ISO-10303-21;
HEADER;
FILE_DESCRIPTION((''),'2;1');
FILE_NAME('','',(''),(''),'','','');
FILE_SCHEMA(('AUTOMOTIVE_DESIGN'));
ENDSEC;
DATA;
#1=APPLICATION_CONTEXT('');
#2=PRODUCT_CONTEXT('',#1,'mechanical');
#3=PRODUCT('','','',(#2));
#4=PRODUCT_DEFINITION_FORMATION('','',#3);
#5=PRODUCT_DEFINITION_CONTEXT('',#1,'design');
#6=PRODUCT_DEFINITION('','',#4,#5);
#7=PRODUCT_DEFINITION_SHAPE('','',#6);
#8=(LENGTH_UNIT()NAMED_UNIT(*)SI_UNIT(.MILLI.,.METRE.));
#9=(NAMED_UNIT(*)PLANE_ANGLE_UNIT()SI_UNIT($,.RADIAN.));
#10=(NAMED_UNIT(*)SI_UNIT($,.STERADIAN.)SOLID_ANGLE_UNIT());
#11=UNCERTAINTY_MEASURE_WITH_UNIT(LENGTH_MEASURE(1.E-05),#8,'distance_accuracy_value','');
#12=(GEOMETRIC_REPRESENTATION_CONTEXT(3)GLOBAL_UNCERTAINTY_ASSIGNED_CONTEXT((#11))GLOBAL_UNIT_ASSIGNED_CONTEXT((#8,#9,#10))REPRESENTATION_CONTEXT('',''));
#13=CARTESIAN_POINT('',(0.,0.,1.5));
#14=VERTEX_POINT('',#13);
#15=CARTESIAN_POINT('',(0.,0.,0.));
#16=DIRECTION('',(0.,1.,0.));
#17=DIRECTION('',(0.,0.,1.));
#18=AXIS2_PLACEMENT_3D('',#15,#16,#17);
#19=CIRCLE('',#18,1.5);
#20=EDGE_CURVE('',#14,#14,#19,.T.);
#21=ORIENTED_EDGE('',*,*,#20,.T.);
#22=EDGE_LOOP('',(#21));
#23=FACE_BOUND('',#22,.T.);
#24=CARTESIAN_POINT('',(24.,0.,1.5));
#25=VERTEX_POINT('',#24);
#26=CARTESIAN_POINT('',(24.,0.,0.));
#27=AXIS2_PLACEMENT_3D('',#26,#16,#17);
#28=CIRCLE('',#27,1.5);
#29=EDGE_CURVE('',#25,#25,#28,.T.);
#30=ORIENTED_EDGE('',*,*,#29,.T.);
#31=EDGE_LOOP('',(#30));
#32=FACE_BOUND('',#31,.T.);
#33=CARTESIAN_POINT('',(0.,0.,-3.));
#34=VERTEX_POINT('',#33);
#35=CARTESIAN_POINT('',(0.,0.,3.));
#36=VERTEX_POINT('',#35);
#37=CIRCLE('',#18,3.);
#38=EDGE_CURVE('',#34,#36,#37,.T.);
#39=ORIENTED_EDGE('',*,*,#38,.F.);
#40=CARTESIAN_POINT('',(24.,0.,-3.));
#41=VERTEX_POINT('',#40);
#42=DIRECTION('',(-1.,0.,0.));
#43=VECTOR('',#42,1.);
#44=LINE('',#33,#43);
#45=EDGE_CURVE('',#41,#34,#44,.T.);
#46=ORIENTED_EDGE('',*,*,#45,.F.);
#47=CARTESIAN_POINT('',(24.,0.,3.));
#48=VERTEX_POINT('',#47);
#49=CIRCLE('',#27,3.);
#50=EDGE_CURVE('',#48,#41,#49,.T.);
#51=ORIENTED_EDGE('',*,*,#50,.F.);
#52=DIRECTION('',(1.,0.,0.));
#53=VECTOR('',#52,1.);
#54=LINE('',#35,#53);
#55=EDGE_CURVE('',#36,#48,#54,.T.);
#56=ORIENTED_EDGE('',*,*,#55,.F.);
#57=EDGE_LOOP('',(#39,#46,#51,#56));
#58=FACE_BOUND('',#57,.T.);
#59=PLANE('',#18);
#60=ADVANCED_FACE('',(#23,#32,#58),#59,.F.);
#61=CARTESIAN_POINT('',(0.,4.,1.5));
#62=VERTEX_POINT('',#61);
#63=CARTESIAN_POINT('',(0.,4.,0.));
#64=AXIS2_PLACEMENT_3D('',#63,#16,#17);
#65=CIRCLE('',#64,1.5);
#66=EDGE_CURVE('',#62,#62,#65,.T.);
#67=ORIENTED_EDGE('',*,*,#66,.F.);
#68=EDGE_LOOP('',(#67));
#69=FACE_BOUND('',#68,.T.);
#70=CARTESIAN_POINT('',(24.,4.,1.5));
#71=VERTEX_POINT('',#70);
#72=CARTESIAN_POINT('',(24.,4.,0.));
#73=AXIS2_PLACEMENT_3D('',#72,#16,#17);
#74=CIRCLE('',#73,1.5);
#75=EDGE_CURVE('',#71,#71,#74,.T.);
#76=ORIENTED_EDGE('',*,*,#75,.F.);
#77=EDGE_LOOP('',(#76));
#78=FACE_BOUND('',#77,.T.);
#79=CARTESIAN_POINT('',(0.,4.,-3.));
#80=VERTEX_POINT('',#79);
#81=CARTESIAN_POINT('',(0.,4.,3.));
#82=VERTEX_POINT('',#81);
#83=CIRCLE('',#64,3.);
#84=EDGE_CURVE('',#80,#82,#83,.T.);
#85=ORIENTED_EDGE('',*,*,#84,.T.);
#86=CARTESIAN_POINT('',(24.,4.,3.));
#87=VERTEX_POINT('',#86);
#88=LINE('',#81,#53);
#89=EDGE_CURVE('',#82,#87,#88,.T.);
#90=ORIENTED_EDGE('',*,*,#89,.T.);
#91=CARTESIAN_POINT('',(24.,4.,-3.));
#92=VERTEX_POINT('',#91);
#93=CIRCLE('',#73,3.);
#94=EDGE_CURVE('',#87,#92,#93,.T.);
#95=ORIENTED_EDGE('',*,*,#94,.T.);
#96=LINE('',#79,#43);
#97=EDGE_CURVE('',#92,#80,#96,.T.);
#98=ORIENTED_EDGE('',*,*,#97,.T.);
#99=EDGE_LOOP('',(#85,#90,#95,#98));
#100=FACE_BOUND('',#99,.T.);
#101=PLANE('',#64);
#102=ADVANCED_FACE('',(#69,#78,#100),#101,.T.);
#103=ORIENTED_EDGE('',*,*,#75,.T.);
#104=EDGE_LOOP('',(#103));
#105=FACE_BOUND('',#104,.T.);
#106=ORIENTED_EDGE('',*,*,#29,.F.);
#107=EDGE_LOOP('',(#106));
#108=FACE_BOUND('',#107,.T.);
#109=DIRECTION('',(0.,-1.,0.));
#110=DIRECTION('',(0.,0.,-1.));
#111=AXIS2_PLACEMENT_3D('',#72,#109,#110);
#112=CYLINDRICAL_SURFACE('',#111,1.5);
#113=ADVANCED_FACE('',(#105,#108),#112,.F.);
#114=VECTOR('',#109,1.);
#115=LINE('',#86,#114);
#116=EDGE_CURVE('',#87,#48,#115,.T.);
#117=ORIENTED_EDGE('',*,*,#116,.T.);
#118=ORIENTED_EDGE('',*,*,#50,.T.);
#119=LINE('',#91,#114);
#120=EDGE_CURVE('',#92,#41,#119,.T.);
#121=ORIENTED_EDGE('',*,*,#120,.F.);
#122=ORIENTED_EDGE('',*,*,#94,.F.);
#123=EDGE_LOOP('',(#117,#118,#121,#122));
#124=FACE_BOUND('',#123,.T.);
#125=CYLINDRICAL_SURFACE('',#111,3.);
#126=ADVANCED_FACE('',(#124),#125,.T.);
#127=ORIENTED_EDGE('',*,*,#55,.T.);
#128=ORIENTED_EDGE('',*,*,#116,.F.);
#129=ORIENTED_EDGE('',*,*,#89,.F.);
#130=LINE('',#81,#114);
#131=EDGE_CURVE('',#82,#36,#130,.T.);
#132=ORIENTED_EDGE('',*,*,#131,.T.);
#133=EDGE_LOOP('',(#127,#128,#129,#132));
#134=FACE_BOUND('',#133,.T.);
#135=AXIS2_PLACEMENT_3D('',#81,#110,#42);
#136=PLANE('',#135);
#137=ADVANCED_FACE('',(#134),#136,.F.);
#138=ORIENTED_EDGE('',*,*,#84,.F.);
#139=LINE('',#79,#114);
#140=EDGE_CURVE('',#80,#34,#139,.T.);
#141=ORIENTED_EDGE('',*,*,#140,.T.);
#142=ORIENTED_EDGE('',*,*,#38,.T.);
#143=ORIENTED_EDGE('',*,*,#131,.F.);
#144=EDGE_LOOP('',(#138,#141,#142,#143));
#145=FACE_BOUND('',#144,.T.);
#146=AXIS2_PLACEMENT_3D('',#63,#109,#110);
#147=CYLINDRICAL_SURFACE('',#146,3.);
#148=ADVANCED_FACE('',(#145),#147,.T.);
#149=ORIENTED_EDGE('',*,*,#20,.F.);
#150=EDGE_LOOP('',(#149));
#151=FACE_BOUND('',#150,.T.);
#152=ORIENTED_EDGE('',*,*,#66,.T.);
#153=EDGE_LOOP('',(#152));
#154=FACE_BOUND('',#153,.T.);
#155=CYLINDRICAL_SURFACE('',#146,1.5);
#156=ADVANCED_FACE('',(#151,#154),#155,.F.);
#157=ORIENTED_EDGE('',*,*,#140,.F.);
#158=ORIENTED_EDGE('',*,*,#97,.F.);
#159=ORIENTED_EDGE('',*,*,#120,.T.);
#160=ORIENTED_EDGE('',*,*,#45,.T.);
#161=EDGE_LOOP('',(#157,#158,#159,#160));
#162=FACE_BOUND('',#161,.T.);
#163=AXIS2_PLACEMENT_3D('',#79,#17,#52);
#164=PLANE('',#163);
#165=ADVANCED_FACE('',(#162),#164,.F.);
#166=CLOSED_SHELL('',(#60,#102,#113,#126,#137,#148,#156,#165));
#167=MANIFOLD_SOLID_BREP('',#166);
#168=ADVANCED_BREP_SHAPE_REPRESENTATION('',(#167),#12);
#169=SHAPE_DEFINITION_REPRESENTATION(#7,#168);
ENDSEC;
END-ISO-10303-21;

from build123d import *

# Parameters (mm, degrees)
SKETCH_1_R      = 1.5
EXTRUDE_1_DEPTH = 4


with BuildPart() as part:
    # 草图1 → 凸台-拉伸1 (new body)
    with BuildSketch(Plane(origin=(0, 0, 0), x_dir=(1, 0, 0), z_dir=(0, 1, 0))):
        with BuildLine():
            Line((0, 3), (24, 3))
            ThreePointArc((24, 3), (27, 0), (24, -3))
            Line((24, -3), (0, -3))
            ThreePointArc((0, -3), (-3, 0), (0, 3))
        make_face()
        with Locations(Location((0, 0, 0), (0, 0, 270))):
            Circle(SKETCH_1_R, mode=Mode.SUBTRACT)
        with Locations(Location((24, 0, 0), (0, 0, 270))):
            Circle(SKETCH_1_R, mode=Mode.SUBTRACT)
    extrude(amount=EXTRUDE_1_DEPTH)


solid = part.part
